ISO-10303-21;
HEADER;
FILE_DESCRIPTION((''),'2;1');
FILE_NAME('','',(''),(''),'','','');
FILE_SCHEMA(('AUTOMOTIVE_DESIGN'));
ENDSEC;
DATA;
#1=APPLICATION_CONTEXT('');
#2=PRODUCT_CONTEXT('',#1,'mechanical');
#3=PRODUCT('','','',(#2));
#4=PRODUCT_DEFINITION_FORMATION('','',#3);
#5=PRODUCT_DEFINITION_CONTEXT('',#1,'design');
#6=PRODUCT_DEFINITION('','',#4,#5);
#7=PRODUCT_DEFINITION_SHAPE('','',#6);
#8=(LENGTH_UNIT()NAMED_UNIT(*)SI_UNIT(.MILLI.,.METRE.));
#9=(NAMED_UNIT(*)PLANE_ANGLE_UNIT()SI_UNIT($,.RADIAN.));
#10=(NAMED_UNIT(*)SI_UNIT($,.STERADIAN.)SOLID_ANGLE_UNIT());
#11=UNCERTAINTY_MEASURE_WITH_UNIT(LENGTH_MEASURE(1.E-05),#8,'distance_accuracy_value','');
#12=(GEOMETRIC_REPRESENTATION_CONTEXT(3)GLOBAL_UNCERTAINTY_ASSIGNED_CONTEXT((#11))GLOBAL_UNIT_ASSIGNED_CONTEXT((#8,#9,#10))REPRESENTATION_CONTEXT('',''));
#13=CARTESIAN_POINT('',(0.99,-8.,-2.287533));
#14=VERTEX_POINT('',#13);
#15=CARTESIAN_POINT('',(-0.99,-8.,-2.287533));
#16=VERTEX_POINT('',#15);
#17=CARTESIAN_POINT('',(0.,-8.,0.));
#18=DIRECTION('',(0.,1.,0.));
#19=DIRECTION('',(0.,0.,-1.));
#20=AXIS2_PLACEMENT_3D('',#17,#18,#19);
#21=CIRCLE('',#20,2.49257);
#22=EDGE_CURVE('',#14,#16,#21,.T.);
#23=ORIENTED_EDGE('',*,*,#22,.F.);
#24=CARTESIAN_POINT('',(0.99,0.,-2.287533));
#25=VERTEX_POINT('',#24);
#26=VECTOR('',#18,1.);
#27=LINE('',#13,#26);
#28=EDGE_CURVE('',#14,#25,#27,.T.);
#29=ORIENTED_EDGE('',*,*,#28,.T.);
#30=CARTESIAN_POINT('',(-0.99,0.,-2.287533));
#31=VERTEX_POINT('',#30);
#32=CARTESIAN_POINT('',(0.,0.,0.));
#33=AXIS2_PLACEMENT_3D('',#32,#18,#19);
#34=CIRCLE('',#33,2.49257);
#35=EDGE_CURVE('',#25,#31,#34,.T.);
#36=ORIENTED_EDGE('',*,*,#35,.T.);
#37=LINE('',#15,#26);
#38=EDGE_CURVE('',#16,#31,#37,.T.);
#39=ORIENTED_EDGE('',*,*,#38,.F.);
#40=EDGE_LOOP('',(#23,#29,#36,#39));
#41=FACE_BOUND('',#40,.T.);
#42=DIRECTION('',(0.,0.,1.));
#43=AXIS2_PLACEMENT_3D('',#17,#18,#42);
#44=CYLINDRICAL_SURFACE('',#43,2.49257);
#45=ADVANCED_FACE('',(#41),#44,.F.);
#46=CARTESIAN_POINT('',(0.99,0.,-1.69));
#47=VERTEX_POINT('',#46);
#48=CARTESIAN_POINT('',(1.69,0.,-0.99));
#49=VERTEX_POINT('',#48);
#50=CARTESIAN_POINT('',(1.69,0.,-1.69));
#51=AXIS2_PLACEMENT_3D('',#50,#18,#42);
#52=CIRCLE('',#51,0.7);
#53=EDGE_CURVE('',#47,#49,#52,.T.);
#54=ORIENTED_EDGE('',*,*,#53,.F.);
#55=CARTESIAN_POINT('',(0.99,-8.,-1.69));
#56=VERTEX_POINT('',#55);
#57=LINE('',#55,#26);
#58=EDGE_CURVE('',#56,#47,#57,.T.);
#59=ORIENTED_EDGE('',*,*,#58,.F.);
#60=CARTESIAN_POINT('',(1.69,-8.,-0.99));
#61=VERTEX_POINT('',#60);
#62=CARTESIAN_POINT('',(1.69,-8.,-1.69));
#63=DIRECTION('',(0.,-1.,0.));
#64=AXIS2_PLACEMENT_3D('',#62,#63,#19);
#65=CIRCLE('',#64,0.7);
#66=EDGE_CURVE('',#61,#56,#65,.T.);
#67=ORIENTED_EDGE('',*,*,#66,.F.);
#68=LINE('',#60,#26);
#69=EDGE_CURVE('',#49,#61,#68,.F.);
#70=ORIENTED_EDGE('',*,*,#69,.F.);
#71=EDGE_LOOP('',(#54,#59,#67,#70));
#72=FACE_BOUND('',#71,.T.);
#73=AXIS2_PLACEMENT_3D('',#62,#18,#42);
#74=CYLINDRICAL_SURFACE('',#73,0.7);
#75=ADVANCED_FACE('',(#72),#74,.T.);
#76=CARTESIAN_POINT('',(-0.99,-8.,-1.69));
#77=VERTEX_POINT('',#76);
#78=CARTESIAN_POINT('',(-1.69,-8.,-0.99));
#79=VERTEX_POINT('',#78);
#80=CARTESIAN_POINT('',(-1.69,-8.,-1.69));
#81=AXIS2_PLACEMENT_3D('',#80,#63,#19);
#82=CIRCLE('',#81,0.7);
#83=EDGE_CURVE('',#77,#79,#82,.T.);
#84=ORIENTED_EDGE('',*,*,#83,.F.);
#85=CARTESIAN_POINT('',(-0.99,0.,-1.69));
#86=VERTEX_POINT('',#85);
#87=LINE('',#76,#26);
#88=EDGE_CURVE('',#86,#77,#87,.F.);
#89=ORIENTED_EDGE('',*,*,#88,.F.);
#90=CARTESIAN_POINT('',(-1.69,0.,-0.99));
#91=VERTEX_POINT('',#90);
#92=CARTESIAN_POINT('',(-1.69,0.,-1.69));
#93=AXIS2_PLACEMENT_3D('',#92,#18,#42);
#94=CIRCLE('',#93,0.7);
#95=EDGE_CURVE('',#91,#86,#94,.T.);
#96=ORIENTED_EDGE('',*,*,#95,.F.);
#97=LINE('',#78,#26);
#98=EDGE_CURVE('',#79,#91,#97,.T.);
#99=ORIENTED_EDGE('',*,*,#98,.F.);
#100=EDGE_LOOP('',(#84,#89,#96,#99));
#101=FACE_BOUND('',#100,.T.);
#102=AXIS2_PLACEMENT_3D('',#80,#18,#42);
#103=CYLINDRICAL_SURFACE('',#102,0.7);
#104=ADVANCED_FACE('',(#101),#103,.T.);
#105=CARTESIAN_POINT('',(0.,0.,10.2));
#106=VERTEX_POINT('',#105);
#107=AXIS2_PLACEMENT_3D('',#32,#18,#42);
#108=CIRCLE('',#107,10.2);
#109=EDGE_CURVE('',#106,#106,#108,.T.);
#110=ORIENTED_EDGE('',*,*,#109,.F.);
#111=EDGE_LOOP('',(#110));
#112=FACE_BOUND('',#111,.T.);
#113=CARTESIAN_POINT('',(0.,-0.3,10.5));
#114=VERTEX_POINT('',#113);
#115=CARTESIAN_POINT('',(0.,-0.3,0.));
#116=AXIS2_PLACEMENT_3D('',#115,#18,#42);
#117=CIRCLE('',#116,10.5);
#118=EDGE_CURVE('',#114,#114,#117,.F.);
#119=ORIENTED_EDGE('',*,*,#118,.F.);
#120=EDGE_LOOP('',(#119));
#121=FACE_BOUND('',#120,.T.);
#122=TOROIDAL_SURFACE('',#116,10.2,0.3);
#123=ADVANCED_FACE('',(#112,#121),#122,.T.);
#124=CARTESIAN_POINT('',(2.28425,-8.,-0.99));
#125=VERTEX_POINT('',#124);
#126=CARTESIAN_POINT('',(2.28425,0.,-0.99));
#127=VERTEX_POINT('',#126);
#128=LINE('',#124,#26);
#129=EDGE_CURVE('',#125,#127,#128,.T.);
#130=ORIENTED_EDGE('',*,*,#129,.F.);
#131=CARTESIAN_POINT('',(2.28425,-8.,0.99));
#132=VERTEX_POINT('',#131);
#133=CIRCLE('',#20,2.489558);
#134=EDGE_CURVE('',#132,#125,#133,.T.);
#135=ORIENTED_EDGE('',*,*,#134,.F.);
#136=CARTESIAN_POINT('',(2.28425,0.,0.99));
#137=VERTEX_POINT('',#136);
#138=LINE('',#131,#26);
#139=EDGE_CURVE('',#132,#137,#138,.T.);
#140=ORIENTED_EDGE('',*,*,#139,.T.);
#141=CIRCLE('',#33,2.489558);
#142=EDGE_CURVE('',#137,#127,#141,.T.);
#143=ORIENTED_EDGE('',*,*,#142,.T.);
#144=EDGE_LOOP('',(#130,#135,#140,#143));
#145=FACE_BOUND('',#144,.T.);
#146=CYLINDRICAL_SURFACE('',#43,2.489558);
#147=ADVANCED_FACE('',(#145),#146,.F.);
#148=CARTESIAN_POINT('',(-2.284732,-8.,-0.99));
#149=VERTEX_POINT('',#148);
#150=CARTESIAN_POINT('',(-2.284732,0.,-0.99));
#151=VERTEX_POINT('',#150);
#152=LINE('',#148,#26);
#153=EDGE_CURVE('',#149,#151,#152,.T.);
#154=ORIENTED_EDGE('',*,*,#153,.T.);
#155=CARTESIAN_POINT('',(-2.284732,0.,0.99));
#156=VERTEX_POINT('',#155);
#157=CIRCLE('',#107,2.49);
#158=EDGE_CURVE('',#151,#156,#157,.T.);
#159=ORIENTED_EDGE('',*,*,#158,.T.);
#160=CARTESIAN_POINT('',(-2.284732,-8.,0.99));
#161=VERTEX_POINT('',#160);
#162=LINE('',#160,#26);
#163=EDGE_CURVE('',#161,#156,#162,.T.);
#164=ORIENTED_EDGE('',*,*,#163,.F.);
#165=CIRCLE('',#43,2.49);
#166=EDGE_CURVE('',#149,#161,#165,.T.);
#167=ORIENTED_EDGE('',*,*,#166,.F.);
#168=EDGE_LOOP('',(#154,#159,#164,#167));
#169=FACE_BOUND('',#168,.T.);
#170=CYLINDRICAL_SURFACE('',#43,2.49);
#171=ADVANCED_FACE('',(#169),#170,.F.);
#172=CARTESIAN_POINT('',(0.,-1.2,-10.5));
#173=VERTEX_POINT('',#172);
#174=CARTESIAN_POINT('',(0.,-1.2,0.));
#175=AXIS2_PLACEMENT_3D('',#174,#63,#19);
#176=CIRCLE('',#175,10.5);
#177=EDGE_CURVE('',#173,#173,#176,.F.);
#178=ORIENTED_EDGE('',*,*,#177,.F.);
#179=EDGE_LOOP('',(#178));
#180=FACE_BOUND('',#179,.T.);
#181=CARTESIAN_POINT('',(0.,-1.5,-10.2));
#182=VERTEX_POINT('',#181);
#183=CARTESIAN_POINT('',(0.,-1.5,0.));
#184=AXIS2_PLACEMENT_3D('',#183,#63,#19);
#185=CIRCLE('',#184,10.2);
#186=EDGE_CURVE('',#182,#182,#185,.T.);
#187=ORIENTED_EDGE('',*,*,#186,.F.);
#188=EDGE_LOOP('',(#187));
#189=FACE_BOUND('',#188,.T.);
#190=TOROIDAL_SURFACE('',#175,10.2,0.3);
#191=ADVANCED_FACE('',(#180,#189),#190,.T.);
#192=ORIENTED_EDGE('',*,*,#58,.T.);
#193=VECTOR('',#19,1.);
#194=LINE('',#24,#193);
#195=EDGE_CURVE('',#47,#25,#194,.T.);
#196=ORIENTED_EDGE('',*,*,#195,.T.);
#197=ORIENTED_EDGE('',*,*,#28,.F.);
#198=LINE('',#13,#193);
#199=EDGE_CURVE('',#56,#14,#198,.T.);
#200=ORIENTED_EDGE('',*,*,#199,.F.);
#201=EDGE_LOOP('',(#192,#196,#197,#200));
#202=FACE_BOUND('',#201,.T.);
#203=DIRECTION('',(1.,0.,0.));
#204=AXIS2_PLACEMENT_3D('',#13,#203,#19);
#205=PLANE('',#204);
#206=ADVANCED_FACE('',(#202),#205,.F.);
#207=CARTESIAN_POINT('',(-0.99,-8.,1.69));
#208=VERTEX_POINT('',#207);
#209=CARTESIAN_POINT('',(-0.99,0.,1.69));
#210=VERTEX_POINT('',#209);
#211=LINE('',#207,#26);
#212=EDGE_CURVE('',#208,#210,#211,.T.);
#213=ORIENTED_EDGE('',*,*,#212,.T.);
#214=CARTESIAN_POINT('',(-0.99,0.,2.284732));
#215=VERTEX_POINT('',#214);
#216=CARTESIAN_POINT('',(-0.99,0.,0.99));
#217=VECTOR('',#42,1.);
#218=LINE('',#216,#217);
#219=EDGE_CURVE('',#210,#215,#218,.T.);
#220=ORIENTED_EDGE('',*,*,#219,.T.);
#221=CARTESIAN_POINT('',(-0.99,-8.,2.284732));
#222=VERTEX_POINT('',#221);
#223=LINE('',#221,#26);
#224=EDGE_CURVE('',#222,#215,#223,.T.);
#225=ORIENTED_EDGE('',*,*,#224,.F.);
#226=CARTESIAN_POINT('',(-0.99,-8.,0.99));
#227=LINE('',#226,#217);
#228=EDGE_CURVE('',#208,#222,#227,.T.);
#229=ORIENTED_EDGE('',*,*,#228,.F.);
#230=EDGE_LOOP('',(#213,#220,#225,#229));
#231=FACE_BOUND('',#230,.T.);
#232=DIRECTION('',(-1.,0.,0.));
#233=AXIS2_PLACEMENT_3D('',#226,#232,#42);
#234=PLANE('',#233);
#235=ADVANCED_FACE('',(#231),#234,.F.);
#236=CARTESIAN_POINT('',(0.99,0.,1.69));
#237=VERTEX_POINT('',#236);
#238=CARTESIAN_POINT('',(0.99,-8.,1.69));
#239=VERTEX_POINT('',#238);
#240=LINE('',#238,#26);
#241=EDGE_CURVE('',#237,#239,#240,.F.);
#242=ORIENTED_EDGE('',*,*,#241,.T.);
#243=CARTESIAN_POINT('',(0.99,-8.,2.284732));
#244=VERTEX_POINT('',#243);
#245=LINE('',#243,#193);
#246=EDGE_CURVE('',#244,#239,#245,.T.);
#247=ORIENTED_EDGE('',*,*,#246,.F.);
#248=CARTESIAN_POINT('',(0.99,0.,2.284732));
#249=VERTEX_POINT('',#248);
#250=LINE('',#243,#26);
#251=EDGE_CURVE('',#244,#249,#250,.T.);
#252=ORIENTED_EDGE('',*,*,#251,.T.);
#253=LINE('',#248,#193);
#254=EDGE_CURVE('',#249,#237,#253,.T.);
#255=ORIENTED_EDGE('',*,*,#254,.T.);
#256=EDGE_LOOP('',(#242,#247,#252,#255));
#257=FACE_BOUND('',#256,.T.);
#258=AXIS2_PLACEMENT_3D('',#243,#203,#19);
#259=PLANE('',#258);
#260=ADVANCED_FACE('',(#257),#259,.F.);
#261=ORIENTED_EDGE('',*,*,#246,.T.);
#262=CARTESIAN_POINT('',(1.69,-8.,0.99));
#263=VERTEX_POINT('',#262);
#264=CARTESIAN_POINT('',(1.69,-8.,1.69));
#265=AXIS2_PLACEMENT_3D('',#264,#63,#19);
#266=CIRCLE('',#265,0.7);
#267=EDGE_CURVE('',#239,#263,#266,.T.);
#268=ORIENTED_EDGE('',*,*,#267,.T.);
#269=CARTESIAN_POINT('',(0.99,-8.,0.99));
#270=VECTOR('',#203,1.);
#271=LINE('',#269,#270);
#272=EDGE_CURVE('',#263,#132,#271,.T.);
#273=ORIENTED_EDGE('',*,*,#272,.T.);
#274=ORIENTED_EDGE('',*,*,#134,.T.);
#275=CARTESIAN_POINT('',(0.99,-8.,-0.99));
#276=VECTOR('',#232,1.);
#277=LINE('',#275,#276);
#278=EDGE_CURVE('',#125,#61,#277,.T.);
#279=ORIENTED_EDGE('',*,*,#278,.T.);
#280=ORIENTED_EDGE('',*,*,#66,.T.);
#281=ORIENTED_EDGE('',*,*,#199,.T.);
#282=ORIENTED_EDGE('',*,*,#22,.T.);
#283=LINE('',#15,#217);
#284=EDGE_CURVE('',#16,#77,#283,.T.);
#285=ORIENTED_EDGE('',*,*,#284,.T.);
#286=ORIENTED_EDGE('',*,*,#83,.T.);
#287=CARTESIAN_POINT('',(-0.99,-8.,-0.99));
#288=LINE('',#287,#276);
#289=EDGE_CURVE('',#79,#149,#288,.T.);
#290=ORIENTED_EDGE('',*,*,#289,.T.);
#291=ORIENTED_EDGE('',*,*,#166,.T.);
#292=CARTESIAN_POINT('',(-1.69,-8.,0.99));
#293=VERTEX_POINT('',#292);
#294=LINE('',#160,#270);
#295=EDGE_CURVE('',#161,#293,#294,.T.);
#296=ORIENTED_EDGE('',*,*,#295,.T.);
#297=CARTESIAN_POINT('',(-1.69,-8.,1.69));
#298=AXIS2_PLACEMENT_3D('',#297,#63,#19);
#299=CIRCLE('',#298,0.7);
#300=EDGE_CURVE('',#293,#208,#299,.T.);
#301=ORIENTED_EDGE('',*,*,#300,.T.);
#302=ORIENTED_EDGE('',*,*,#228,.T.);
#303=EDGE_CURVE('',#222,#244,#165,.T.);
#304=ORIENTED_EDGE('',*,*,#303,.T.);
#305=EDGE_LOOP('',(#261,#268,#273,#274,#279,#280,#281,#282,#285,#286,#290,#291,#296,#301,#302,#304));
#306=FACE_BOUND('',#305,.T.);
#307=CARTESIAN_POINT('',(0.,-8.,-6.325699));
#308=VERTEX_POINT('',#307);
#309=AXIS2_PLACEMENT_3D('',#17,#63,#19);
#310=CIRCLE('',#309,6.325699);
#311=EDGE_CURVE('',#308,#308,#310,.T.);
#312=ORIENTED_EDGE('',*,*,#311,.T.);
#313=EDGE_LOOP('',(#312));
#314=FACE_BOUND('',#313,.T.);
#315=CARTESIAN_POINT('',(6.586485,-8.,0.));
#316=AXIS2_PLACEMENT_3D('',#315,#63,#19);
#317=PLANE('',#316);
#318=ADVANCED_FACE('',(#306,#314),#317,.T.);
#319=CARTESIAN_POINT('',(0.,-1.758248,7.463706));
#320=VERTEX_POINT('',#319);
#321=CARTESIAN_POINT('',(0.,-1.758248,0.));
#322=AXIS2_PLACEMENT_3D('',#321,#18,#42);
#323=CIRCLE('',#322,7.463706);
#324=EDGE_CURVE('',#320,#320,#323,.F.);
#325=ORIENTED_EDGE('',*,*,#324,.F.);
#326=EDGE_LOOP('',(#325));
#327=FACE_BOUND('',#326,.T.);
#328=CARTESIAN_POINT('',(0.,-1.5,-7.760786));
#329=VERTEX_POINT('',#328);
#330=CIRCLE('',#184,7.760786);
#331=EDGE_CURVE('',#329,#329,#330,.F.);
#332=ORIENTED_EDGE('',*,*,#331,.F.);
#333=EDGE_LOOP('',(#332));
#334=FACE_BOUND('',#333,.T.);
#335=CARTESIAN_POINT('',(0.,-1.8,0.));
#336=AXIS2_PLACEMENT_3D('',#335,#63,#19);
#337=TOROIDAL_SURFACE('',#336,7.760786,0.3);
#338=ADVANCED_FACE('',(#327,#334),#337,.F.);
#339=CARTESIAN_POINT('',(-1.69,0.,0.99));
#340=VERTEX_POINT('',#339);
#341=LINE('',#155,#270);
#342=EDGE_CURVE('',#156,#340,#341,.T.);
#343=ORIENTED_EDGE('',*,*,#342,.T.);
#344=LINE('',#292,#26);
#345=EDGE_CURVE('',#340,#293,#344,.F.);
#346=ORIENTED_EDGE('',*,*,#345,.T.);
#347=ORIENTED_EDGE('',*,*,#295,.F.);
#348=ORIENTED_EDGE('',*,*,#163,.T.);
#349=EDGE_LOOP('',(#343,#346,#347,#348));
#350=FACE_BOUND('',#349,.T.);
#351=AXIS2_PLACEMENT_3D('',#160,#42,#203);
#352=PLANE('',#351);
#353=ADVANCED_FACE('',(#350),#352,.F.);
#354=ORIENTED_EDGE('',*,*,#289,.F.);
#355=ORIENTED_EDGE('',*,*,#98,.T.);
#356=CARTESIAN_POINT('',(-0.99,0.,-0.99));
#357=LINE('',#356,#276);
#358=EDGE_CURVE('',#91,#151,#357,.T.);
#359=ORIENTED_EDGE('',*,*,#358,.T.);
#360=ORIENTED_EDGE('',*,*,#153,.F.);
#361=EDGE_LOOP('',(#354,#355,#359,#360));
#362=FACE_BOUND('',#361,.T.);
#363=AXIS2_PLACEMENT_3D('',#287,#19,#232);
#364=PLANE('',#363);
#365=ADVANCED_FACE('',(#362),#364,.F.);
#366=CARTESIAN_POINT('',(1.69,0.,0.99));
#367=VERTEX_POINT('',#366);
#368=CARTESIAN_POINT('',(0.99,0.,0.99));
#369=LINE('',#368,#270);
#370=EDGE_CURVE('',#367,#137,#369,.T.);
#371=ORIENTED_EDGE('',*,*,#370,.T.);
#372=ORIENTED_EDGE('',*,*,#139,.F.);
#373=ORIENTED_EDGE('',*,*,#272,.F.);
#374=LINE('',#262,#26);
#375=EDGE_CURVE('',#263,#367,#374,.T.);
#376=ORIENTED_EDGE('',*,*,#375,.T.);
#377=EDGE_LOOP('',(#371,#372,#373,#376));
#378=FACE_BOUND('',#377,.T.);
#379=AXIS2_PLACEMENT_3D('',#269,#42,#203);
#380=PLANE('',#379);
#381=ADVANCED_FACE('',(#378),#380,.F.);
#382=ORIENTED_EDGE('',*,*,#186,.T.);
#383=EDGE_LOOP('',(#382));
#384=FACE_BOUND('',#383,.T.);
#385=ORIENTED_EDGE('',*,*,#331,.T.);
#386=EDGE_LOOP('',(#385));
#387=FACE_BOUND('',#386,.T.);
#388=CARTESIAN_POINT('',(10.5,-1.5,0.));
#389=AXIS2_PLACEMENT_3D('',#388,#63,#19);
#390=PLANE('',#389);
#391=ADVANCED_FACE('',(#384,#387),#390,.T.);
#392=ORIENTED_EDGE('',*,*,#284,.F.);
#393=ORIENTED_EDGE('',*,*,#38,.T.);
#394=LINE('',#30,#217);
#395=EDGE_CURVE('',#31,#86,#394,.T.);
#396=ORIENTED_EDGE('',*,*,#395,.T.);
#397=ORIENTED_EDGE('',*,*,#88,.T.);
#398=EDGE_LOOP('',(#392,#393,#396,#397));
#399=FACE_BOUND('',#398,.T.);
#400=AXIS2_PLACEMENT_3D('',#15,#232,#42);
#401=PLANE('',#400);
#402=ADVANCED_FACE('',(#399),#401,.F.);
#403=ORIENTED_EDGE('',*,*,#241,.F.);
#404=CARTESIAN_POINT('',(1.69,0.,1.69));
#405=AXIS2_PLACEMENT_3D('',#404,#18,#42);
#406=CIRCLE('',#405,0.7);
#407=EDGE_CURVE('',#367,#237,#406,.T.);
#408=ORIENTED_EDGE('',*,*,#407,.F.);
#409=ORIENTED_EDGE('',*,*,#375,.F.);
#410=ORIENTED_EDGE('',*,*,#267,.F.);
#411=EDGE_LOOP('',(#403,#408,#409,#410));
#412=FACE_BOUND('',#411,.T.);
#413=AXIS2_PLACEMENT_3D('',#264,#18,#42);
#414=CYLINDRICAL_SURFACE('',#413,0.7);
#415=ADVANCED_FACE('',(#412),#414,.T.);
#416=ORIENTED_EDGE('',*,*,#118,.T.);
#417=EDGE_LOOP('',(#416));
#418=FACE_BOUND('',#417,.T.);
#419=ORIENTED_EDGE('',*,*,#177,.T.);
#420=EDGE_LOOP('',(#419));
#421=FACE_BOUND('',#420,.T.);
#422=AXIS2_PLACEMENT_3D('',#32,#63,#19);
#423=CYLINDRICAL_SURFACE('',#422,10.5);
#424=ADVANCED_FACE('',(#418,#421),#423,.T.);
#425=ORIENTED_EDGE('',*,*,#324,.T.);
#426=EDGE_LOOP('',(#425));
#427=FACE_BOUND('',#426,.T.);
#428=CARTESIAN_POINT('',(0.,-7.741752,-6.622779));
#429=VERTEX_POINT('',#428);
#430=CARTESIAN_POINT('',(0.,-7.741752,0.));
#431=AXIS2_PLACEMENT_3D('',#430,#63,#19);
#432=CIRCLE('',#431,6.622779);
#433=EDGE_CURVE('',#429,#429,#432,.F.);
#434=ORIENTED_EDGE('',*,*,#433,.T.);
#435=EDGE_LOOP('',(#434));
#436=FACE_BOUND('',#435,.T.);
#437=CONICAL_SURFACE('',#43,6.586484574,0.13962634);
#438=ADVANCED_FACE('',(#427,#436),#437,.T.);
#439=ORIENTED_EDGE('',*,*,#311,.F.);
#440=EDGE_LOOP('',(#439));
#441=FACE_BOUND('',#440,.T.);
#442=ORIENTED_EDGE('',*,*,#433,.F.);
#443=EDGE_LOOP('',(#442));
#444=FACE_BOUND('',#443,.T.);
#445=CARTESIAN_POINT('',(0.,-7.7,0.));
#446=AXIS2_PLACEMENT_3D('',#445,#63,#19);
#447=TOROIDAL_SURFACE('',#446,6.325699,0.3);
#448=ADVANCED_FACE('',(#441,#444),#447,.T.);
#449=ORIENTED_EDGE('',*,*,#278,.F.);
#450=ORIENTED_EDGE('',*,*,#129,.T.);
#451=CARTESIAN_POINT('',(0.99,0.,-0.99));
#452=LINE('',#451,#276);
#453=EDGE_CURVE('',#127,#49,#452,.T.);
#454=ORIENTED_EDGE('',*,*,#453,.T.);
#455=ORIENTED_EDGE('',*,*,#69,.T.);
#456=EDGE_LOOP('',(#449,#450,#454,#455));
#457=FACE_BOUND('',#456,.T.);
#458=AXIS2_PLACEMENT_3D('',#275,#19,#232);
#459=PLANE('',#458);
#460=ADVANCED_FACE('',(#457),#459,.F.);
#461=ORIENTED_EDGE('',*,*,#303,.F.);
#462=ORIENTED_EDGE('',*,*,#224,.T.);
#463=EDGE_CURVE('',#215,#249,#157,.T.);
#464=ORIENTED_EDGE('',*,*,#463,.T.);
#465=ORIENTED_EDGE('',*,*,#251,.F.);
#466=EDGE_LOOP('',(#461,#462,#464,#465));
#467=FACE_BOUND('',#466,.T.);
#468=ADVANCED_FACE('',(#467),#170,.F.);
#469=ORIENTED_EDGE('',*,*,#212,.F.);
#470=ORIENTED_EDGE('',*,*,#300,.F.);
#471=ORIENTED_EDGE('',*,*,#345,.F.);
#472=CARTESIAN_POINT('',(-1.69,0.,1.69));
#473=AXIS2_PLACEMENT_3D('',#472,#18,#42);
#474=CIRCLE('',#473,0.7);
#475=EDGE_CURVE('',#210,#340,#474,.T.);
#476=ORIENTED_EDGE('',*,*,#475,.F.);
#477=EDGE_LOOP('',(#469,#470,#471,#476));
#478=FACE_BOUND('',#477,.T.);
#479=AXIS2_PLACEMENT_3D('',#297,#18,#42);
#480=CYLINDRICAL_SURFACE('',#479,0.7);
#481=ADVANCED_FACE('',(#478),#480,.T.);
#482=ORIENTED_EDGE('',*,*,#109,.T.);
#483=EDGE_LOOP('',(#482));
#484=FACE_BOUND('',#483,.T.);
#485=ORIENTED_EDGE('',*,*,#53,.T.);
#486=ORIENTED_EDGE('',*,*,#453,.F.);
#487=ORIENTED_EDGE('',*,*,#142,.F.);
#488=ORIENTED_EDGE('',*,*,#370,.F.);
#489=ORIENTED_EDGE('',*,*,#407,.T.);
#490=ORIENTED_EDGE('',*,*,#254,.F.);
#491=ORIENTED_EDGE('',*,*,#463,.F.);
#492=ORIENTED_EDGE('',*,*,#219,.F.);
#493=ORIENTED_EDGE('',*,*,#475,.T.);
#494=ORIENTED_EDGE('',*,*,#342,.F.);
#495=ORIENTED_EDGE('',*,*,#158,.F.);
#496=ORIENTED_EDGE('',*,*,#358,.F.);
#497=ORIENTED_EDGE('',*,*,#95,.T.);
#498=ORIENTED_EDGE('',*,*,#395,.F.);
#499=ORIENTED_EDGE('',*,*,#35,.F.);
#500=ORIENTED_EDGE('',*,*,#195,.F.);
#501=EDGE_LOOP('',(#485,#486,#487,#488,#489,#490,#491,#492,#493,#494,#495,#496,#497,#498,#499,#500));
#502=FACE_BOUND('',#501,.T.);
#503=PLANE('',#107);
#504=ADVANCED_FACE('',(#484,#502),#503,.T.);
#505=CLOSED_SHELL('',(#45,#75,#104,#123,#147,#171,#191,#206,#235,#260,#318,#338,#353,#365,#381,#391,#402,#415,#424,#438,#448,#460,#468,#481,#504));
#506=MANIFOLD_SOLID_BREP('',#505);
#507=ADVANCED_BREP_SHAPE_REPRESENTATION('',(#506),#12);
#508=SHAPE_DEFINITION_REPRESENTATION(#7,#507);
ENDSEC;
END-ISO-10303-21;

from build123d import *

# Parameters (mm, degrees)
CUT_EXTRUDE1_DEPTH = 17.867127793
FILLET1_R          = 0.7
FILLET2_R          = 0.3


with BuildPart() as part:
    # Sketch2 → Revolve1 (revolve)
    with BuildSketch(Plane.XY, mode=Mode.PRIVATE) as revolve1_sk:
        Polygon((0, 0), (10.5, 0), (10.5, -1.5), (7.5, -1.5), (6.586484574, -8), (0, -8), align=None)
    revolve(revolve1_sk.sketch.rotate(Axis((0, 0, 0), (0, 1, 0)), 90), axis=Axis((0, 0, 0), (0, 1, 0)))

    # Sketch1 → Cut-Extrude1 (cut, through all)
    with BuildSketch(Plane(origin=(0, 0, 0), x_dir=(1, 0, 0), z_dir=(0, 1, 0))):
        with BuildLine():
            Line((-0.99, 0.99), (-2.284731932, 0.99))
            ThreePointArc((-2.284731932, 0.99), (-2.49, 0), (-2.284731932, -0.99))
            Line((-2.284731932, -0.99), (-0.99, -0.99))
            Line((-0.99, -0.99), (-0.99, -2.284731932))
            ThreePointArc((-0.99, -2.284731932), (0, -2.49), (0.99, -2.284731932))
            Line((0.99, -2.284731932), (0.99, -0.99))
            Line((0.99, -0.99), (2.284249826, -0.99))
            ThreePointArc((2.284249826, -0.99), (2.489557645, 0), (2.284249826, 0.99))
            Line((2.284249826, 0.99), (0.99, 0.99))
            Line((0.99, 0.99), (0.99, 2.28753254))
            ThreePointArc((0.99, 2.28753254), (0, 2.492569984), (-0.99, 2.28753254))
            Line((-0.99, 2.28753254), (-0.99, 0.99))
        make_face()
    extrude(amount=-CUT_EXTRUDE1_DEPTH, mode=Mode.SUBTRACT)

    # Fillet1
    fillet1_edges = [part.edges().sort_by_distance(p)[0] for p in [
        (-0.99, -4, -0.99),
        (0.99, -4, -0.99),
        (0.99, -4, 0.99),
        (-0.99, -4, 0.99),
    ]]
    fillet(fillet1_edges, radius=FILLET1_R)

    # Fillet2
    fillet2_edges = [part.edges().sort_by_distance(p)[0] for p in [
        (0, -8, 6.586484574),
        (0, -1.5, 7.5),
        (0, -1.5, 10.5),
        (0, 0, 10.5),
    ]]
    fillet(fillet2_edges, radius=FILLET2_R)


solid = part.part
